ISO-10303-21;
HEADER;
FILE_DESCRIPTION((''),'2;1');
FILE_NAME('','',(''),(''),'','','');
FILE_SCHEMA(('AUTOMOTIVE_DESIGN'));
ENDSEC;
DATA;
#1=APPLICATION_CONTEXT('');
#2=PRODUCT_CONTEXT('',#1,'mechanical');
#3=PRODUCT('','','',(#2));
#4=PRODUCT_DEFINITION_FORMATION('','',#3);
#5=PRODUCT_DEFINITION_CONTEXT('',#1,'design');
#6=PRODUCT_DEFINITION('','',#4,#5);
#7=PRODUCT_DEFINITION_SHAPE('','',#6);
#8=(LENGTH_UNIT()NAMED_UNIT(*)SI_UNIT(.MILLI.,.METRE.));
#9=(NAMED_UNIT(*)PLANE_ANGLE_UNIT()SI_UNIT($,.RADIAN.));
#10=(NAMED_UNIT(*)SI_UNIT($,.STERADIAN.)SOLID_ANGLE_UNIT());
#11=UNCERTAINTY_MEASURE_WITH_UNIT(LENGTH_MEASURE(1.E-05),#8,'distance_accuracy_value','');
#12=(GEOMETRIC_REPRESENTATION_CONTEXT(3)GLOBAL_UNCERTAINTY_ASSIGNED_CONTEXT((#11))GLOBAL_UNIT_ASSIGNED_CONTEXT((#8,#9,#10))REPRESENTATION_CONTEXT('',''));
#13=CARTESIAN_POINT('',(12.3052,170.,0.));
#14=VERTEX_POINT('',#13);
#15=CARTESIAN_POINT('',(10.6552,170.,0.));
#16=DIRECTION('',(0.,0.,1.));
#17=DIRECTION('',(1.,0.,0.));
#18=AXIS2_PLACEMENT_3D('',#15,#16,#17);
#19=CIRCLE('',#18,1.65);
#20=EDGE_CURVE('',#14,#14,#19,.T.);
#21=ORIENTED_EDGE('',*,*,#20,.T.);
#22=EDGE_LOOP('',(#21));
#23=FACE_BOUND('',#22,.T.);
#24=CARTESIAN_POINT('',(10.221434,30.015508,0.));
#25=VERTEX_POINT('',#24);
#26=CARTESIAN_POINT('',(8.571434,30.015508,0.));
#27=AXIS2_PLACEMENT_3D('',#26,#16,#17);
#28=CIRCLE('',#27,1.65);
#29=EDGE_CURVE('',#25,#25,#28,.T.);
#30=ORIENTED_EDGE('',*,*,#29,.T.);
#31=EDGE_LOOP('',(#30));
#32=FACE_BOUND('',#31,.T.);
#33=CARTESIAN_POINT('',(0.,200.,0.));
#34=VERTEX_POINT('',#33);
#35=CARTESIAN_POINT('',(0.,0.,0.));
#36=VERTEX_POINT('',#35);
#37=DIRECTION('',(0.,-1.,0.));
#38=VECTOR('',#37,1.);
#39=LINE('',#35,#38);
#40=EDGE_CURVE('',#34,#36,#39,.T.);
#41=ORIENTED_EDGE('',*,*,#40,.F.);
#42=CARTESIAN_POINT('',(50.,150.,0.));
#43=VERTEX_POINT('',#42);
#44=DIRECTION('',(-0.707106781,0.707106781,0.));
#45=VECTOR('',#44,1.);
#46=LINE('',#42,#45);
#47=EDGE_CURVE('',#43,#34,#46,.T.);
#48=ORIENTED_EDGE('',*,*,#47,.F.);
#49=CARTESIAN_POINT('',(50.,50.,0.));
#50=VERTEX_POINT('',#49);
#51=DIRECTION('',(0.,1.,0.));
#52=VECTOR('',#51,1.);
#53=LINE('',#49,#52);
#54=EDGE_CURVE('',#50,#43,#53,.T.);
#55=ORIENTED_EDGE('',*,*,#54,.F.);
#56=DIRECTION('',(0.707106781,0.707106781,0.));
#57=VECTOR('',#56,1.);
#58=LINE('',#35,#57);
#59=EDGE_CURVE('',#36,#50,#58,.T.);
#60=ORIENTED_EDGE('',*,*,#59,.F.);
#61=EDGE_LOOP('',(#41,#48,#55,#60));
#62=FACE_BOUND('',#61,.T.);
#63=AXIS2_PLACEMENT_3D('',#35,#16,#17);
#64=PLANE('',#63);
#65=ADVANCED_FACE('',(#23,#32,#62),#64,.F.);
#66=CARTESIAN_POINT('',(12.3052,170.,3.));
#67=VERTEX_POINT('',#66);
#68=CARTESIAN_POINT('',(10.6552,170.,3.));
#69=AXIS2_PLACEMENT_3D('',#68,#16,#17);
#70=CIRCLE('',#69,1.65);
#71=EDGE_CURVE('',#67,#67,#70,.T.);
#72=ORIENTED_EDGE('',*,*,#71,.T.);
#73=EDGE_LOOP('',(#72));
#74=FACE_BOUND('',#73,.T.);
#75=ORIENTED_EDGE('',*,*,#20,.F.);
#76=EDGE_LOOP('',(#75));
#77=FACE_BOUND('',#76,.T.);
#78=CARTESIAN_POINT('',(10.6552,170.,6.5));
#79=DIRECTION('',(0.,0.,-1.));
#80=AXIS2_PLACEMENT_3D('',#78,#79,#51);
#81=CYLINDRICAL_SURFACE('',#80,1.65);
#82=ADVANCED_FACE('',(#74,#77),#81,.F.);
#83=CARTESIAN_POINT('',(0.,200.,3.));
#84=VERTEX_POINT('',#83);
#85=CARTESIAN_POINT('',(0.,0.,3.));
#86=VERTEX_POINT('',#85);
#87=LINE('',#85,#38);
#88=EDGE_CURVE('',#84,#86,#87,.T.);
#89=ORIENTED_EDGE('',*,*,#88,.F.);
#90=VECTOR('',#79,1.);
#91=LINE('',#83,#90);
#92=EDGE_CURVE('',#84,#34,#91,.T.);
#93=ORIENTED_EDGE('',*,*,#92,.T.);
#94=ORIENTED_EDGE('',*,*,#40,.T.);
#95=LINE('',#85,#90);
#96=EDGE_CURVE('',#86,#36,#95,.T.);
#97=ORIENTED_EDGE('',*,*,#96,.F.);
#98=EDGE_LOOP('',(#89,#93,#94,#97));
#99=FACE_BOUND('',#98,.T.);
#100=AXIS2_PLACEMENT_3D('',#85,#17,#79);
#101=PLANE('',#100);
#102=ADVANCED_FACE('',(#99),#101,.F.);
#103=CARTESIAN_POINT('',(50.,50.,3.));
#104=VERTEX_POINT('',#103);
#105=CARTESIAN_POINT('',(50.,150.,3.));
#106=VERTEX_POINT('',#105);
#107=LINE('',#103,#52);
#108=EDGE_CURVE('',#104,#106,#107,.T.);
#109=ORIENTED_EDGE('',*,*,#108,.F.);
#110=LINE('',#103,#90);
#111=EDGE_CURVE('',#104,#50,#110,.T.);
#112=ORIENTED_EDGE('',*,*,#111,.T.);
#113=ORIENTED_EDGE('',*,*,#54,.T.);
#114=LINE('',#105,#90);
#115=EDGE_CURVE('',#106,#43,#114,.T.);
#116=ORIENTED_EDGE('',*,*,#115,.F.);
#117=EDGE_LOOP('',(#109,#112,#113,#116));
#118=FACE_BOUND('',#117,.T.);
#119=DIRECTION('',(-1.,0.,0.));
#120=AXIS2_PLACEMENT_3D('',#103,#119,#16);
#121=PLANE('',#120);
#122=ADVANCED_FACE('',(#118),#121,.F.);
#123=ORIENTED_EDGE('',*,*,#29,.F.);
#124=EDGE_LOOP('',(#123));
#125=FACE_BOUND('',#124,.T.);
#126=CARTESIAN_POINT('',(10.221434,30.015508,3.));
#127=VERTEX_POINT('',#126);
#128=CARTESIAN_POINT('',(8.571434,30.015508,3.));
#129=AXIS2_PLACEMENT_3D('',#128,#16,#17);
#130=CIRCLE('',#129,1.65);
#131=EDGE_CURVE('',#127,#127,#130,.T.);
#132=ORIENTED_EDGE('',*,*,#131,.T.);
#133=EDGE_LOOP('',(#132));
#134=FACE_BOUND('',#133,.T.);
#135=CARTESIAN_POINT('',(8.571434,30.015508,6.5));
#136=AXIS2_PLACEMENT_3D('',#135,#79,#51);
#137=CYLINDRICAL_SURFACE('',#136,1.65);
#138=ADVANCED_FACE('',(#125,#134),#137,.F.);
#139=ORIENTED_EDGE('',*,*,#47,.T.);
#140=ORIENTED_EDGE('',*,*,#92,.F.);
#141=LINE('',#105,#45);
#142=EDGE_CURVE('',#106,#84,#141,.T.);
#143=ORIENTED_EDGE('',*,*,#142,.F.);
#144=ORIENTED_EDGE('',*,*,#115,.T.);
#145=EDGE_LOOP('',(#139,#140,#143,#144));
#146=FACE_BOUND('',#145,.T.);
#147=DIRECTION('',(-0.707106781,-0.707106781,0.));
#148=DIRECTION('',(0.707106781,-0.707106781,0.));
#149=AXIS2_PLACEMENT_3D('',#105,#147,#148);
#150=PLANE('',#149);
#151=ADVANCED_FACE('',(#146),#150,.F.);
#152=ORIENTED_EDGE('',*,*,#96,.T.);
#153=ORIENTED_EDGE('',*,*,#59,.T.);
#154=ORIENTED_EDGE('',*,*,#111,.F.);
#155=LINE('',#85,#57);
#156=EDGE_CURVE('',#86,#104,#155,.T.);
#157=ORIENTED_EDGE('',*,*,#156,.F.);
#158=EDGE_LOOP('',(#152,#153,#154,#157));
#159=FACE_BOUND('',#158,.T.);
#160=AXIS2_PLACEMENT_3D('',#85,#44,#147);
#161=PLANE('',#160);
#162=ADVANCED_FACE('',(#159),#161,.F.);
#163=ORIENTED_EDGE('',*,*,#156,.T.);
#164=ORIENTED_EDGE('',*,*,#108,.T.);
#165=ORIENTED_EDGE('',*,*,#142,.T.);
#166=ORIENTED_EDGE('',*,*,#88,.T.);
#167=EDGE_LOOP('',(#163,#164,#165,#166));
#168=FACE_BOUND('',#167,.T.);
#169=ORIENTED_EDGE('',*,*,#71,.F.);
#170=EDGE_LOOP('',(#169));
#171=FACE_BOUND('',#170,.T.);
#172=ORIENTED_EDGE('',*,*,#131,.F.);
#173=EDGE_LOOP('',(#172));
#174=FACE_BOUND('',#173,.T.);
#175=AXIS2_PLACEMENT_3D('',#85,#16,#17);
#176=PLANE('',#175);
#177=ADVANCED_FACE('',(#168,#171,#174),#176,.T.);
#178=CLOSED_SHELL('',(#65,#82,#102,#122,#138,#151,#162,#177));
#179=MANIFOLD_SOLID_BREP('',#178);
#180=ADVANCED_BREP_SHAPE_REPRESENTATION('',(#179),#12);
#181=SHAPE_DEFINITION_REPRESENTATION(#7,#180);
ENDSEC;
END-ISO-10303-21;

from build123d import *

# Parameters (mm, degrees)
EXTRUDE_1_DEPTH     = 3
SKETCH_5_R          = 1.65
CUT_EXTRUDE_1_DEPTH = 8


with BuildPart() as part:
    # Эскиз1 → Бобышка-Вытянуть1 (new body)
    with BuildSketch(Plane.XY):
        Polygon((0, 0), (0, 200), (50, 150), (50, 50), align=None)
    extrude(amount=EXTRUDE_1_DEPTH)

    # Эскиз5 → Вырез-Вытянуть1 (cut)
    with BuildSketch(Plane(origin=(-305.961161651, -184.204468703, -1.5), x_dir=(-0.9998892265297747, 0.01488404077153568, 0), z_dir=(0, 0, -1))):
        with BuildLine():
            ThreePointArc((-309.659295343, 358.877763083), (-310.142569154, 360.044489272), (-311.309295343, 360.527763083))
            Line((-311.309295343, 360.527763083), (-311.309295343, 357.227763083))
            ThreePointArc((-311.309295343, 357.227763083), (-310.142569154, 357.711036894), (-309.659295343, 358.877763083))
        make_face()
        with BuildLine():
            Line((-311.309295343, 357.227763083), (-311.309295343, 360.527763083))
            ThreePointArc((-311.309295343, 360.527763083), (-312.959295343, 358.877763083), (-311.309295343, 357.227763083))
        make_face()
        with Locations(Location((-311.309295343, 218.877763083, 0), (0, 0, 179.147175791))):
            Circle(SKETCH_5_R)
    extrude(amount=-CUT_EXTRUDE_1_DEPTH, mode=Mode.SUBTRACT)


solid = part.part
